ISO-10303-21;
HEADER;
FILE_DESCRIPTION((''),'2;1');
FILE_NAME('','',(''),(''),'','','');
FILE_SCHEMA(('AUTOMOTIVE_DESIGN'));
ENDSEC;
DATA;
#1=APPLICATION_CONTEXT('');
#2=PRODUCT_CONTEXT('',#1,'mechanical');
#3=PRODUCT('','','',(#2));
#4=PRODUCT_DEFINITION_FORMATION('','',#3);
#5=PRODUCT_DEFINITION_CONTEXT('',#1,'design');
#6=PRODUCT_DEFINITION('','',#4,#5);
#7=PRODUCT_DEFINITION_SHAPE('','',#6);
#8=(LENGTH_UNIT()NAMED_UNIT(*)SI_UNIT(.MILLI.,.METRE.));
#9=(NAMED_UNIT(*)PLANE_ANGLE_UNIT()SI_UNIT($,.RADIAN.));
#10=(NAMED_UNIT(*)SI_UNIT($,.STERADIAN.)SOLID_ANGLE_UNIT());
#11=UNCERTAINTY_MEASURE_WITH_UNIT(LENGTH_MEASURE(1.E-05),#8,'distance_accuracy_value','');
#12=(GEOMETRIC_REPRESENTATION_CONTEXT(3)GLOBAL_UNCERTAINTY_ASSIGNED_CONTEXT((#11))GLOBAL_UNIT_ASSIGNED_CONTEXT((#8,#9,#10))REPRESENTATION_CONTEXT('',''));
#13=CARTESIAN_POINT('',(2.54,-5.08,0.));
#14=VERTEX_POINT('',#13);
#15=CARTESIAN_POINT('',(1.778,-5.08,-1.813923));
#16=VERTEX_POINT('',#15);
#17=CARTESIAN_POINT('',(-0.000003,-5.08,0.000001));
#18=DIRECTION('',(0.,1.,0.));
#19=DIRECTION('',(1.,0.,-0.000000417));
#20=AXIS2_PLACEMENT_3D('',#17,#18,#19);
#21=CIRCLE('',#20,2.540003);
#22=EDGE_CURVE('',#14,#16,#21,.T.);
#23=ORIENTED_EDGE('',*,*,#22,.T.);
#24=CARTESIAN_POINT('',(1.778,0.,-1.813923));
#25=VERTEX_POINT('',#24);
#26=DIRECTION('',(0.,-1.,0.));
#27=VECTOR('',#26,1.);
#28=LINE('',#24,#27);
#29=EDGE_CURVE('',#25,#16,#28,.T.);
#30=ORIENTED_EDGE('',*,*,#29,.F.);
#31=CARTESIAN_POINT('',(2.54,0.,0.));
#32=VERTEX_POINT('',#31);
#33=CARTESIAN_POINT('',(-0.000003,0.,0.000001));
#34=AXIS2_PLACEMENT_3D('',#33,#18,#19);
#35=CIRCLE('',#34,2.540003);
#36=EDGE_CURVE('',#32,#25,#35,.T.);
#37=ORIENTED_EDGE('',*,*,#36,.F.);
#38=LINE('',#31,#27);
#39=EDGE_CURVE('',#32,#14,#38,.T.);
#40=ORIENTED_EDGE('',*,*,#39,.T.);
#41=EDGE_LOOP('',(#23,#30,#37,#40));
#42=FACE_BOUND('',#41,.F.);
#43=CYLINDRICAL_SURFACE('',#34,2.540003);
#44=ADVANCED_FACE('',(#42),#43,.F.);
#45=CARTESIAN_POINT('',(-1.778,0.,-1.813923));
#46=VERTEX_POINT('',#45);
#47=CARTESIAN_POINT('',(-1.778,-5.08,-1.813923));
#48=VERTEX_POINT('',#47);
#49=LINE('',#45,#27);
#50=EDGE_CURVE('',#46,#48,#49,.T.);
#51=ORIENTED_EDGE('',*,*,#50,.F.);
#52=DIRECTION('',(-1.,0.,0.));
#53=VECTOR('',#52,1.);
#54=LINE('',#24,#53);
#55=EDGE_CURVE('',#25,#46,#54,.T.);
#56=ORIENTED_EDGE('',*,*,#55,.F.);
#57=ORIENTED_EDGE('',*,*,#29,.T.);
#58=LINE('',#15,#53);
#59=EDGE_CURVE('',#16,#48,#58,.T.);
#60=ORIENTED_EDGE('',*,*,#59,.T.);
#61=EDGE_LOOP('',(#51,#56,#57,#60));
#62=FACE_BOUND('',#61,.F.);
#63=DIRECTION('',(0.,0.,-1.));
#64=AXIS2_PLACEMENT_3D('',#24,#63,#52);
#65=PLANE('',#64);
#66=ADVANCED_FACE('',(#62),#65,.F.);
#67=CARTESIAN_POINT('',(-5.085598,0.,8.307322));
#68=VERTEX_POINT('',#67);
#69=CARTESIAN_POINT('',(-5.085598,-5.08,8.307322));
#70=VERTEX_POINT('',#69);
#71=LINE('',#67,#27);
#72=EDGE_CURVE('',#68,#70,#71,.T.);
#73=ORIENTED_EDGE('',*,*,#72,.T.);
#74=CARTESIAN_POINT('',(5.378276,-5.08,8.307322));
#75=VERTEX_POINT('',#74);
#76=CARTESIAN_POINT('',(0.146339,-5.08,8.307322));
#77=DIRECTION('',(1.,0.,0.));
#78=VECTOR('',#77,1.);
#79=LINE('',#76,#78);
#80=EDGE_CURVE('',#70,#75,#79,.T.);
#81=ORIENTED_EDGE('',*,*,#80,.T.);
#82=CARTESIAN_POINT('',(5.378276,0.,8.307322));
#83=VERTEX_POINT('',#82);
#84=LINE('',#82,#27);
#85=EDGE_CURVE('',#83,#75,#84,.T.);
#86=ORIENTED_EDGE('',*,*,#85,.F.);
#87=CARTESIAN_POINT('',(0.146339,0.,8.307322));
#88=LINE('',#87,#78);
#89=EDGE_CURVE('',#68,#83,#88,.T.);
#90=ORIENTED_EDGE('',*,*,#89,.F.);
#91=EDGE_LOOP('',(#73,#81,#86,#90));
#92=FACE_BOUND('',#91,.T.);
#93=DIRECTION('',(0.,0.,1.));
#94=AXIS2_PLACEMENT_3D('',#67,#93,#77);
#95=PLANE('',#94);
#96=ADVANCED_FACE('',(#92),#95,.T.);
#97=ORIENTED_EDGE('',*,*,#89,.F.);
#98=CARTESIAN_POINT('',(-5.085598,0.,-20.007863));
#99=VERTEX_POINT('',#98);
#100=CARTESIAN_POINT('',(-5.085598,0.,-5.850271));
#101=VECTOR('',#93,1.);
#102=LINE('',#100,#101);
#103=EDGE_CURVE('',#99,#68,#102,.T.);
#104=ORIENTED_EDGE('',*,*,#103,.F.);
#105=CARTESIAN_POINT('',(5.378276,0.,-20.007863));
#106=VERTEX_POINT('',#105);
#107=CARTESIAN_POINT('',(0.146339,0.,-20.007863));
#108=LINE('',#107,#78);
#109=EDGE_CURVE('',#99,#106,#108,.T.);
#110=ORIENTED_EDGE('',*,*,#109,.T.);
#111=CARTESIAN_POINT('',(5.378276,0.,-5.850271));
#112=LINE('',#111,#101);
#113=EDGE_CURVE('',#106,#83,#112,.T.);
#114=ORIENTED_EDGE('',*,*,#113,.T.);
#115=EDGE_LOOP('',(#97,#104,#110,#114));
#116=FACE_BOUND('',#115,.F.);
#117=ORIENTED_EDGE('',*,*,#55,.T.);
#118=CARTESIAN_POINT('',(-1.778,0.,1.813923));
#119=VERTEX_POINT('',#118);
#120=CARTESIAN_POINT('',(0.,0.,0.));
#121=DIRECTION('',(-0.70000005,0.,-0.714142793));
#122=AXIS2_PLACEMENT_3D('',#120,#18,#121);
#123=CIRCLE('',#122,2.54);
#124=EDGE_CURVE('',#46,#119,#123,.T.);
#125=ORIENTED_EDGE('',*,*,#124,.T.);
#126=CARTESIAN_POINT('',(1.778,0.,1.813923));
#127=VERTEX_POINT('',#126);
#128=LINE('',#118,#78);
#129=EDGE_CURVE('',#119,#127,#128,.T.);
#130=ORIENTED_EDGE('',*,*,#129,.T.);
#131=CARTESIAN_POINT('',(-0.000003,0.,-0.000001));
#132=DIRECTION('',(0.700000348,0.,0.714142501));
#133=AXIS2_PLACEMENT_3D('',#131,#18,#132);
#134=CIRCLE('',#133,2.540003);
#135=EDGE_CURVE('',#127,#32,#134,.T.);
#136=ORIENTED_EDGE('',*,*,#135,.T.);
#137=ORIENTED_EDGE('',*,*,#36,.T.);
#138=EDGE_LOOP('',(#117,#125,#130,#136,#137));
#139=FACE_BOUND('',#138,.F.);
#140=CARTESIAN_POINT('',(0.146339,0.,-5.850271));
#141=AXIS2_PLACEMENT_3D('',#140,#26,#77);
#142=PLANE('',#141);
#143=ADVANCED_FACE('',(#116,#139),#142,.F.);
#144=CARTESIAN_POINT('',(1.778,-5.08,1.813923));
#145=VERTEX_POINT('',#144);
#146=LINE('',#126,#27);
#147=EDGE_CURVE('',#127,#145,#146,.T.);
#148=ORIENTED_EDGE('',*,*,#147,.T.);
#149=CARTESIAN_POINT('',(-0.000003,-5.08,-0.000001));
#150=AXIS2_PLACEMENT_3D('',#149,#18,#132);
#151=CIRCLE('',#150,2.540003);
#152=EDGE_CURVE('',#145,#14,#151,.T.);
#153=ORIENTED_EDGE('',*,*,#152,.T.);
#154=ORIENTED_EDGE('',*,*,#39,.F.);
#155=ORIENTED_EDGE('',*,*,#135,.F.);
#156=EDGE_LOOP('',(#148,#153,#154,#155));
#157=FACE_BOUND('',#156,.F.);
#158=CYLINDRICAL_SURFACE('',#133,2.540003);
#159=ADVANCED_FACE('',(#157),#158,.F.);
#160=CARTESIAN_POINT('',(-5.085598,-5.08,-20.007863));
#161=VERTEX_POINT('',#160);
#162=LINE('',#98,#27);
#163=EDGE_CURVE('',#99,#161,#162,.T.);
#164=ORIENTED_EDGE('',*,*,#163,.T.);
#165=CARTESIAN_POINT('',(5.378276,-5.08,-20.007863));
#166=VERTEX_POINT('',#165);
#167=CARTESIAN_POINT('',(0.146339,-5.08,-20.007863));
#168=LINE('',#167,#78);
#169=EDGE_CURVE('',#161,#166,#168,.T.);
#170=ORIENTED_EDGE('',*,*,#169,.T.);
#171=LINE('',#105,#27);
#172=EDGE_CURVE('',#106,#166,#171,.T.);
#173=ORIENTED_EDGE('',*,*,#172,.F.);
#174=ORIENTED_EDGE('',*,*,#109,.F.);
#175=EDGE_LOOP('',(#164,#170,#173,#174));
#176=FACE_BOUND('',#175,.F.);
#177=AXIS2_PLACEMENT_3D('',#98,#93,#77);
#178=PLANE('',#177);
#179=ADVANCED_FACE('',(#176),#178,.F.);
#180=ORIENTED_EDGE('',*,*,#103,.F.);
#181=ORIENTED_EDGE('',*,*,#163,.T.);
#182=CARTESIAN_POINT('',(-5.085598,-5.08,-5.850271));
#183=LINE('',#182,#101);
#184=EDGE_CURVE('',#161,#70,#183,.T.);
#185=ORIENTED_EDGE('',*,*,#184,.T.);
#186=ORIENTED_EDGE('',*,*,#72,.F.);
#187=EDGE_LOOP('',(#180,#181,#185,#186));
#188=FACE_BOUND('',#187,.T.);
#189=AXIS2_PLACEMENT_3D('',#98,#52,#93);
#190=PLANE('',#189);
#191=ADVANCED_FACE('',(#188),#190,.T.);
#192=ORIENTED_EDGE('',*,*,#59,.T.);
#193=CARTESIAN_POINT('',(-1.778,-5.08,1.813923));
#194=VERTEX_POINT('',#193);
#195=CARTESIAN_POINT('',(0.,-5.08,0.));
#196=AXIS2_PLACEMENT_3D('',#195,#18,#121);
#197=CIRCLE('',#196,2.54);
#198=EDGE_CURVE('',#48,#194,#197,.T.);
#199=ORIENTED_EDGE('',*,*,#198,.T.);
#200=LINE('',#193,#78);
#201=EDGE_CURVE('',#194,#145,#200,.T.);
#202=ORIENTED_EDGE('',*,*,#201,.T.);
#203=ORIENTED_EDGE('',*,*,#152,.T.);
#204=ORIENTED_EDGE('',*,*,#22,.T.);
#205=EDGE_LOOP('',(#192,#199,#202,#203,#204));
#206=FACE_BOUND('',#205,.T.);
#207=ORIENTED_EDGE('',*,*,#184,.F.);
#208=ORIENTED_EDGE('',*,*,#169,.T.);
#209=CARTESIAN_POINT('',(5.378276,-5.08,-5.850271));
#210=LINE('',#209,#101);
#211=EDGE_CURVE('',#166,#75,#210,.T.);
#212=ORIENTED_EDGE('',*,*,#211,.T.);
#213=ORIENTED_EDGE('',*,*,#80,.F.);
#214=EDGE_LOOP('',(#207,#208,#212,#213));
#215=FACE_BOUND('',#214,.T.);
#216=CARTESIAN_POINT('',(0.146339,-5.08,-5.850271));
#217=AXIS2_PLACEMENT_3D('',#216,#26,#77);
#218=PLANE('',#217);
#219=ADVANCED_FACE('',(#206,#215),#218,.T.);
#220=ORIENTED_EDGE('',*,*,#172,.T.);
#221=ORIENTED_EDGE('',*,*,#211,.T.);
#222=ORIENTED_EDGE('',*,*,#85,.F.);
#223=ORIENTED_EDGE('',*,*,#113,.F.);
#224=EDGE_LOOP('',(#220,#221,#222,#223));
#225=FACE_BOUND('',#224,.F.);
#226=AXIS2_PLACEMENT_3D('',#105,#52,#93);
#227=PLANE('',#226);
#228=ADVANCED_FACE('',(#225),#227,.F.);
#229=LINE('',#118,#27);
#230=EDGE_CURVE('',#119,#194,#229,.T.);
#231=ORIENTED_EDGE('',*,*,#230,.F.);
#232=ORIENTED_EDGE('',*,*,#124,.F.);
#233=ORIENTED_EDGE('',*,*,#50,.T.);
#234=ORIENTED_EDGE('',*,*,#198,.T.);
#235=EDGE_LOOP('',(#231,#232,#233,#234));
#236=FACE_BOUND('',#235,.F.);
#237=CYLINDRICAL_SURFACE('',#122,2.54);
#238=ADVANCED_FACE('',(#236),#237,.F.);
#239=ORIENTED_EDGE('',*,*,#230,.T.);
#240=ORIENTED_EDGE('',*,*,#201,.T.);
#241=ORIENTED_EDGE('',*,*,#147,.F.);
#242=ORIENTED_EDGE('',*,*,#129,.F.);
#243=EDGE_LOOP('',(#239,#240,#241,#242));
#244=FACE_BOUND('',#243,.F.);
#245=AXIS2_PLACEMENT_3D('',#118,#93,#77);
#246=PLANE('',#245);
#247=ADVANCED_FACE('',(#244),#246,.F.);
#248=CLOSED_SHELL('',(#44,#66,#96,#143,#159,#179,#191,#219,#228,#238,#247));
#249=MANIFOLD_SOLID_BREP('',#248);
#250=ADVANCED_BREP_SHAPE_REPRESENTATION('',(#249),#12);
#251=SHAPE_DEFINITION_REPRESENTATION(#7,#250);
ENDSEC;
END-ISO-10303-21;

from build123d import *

# Parameters (mm, degrees)
F0_W     = 10.463874
F0_H     = 28.315185
F1_DEPTH = 5.08


with BuildPart() as f1:
    # F0 (on Front) → F1 (new body)
    with BuildSketch(Plane.XZ):
        with Locations((0.146339, -5.850271)):
            Rectangle(F0_W, F0_H)
        with BuildLine():
            ThreePointArc((1.778, 1.813923), (2.341764, 0.983738), (2.54, 0))
            ThreePointArc((2.54, 0), (2.341764, -0.983738), (1.778, -1.813923))
            ThreePointArc((1.778, -1.813923), (0, -2.54), (-1.778, -1.813923))
            ThreePointArc((-1.778, -1.813923), (-2.54, 0), (-1.778, 1.813923))
            ThreePointArc((-1.778, 1.813923), (0, 2.54), (1.778, 1.813923))
        make_face(mode=Mode.SUBTRACT)
        with BuildLine():
            Line((-1.778, 1.813923), (1.778, 1.813923))
            ThreePointArc((1.778, 1.813923), (0, 2.54), (-1.778, 1.813923))
        make_face()
        with BuildLine():
            ThreePointArc((-1.778, -1.813923), (0, -2.54), (1.778, -1.813923))
            Line((1.778, -1.813923), (-1.778, -1.813923))
        make_face()
    extrude(amount=F1_DEPTH)


solid = f1.part
